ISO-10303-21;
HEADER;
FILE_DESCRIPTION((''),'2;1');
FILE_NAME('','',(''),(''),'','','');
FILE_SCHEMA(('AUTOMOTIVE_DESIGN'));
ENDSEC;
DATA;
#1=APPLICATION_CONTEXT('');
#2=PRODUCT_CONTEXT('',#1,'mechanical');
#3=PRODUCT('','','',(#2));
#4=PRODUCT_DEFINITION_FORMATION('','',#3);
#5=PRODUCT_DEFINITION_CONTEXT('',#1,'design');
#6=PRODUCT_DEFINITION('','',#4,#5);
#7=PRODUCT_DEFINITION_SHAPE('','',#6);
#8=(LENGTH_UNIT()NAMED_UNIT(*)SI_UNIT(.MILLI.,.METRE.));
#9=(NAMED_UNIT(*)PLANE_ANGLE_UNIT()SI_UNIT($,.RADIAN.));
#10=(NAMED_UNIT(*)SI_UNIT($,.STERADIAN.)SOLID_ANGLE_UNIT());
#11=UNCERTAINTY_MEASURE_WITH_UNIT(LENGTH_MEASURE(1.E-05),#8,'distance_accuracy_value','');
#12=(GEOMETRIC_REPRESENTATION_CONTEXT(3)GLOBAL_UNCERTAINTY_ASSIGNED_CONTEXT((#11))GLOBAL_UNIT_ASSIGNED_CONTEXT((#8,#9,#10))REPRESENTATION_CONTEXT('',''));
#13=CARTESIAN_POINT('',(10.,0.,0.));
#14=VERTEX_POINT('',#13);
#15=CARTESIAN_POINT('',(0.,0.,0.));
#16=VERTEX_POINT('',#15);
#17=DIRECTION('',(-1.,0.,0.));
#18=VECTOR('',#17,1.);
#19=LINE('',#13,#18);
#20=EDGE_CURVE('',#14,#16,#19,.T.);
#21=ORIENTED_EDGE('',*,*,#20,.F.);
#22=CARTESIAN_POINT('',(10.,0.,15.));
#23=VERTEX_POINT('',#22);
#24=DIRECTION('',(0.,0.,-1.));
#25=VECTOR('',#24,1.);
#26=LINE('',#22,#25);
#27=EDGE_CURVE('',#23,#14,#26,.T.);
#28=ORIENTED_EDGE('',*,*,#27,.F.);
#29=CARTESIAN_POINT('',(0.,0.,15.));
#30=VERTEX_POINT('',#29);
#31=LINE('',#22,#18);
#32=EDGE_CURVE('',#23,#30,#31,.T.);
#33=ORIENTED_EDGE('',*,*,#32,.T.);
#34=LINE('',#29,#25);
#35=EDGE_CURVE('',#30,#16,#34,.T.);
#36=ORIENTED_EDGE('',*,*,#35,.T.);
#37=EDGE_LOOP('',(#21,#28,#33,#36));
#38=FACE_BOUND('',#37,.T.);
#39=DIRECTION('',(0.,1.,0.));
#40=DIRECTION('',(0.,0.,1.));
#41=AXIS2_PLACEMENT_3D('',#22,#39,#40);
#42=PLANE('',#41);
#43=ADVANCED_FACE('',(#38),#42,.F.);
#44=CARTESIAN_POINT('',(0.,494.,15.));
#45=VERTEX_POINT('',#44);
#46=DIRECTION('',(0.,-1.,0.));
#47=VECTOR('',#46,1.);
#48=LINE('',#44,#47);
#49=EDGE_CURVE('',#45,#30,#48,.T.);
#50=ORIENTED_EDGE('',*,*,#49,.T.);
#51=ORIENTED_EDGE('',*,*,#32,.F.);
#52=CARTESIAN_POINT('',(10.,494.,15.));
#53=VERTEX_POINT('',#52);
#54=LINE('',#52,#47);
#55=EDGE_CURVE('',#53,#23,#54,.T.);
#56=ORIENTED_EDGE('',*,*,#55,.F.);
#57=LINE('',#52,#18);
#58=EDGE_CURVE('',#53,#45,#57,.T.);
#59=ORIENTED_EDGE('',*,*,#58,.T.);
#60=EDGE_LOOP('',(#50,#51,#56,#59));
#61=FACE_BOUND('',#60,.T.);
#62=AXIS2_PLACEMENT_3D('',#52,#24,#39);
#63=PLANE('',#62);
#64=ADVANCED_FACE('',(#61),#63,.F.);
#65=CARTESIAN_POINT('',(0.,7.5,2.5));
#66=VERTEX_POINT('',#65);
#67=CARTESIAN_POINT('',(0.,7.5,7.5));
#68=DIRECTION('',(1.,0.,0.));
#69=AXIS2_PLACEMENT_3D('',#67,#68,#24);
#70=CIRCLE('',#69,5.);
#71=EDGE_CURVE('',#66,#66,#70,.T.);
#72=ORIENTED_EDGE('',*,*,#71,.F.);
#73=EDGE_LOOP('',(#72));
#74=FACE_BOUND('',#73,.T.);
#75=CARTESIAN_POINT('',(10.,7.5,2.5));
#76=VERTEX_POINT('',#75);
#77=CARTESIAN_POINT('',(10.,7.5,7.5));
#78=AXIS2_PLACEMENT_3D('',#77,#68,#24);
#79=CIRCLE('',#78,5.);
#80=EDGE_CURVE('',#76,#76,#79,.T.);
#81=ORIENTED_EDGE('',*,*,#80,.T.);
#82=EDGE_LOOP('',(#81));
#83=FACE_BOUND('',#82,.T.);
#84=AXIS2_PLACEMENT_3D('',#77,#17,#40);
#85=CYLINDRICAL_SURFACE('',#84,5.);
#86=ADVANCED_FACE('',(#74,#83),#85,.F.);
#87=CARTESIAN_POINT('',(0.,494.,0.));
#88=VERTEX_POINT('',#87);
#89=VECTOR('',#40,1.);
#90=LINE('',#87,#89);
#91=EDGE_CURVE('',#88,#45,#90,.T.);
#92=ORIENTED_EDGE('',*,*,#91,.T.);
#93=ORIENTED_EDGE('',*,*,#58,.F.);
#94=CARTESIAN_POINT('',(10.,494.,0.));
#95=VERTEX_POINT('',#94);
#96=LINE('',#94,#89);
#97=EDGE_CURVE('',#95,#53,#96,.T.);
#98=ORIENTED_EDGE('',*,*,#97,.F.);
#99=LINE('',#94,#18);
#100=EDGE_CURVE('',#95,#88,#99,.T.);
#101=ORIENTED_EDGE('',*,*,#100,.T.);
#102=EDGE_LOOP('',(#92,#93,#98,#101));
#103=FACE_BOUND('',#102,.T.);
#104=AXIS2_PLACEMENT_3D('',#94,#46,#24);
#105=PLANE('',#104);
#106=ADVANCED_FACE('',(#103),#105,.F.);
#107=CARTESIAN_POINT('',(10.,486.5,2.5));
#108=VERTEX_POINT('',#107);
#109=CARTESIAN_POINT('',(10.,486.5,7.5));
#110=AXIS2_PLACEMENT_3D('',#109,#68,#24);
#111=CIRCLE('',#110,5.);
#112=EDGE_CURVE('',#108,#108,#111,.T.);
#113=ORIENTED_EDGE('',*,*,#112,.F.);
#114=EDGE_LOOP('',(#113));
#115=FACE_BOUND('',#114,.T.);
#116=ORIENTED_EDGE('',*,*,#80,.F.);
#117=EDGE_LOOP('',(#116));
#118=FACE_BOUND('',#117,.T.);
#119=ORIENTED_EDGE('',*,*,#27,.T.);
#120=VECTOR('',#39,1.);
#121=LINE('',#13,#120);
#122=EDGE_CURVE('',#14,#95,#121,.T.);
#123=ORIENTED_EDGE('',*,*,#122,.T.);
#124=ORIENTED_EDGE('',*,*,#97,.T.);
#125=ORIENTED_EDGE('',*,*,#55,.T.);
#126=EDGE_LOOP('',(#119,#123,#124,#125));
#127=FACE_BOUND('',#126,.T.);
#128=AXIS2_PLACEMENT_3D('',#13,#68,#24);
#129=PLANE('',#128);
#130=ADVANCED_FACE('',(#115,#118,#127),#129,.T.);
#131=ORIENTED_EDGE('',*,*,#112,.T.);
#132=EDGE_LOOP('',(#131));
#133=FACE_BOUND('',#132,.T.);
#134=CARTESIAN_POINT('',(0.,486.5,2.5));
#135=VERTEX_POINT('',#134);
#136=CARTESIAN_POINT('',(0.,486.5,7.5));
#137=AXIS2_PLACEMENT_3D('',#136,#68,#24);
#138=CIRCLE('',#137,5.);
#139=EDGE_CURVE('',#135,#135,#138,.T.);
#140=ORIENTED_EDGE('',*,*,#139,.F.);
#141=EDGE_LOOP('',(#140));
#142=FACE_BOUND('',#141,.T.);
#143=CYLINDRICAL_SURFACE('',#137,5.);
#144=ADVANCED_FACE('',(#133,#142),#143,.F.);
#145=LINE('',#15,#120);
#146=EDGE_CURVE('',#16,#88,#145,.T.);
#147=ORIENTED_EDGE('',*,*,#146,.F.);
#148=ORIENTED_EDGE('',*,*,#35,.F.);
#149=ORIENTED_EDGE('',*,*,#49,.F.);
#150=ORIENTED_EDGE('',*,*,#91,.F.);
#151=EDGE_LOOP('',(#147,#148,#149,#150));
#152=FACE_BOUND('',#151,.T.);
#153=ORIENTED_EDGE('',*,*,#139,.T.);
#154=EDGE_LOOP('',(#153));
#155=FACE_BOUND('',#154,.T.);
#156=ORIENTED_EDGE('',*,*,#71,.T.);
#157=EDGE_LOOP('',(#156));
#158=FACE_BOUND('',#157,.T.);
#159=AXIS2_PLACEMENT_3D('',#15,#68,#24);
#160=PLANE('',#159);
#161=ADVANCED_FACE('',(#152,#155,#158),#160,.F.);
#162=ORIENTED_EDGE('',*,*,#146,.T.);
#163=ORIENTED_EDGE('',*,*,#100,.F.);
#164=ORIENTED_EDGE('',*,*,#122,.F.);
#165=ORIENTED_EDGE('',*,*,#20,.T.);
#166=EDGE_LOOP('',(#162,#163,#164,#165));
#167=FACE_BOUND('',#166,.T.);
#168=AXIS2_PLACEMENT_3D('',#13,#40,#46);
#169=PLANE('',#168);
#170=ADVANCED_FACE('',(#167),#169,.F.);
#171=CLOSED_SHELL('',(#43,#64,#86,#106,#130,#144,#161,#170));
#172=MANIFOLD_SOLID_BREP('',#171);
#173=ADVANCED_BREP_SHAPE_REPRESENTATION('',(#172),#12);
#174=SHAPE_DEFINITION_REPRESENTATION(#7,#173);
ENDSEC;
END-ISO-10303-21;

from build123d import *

# Parameters (mm, degrees)
SKETCH1_W           = 494
SKETCH1_H           = 15
BOSS_EXTRUDE1_DEPTH = 10
SKETCH3_R           = 5
CUT_EXTRUDE1_DEPTH  = 10
SKETCH4_R           = 5
CUT_EXTRUDE2_DEPTH  = 10


with BuildPart() as part:
    # Sketch1 → Boss-Extrude1 (new body)
    with BuildSketch(Plane.YZ):
        with Locations((247, 7.5)):
            Rectangle(SKETCH1_W, SKETCH1_H)
    extrude(amount=BOSS_EXTRUDE1_DEPTH)

    # Sketch3 → Cut-Extrude1 (cut)
    with BuildSketch(Plane.YZ):
        with Locations(Location((7.5, 7.5, 0), (0, 0, 270))):
            Circle(SKETCH3_R)
    extrude(amount=CUT_EXTRUDE1_DEPTH, mode=Mode.SUBTRACT)

    # Sketch4 → Cut-Extrude2 (cut)
    with BuildSketch(Plane.YZ.offset(10)):
        with Locations(Location((486.5, 7.5, 0), (0, 0, 270))):
            Circle(SKETCH4_R)
    extrude(amount=-CUT_EXTRUDE2_DEPTH, mode=Mode.SUBTRACT)


solid = part.part
